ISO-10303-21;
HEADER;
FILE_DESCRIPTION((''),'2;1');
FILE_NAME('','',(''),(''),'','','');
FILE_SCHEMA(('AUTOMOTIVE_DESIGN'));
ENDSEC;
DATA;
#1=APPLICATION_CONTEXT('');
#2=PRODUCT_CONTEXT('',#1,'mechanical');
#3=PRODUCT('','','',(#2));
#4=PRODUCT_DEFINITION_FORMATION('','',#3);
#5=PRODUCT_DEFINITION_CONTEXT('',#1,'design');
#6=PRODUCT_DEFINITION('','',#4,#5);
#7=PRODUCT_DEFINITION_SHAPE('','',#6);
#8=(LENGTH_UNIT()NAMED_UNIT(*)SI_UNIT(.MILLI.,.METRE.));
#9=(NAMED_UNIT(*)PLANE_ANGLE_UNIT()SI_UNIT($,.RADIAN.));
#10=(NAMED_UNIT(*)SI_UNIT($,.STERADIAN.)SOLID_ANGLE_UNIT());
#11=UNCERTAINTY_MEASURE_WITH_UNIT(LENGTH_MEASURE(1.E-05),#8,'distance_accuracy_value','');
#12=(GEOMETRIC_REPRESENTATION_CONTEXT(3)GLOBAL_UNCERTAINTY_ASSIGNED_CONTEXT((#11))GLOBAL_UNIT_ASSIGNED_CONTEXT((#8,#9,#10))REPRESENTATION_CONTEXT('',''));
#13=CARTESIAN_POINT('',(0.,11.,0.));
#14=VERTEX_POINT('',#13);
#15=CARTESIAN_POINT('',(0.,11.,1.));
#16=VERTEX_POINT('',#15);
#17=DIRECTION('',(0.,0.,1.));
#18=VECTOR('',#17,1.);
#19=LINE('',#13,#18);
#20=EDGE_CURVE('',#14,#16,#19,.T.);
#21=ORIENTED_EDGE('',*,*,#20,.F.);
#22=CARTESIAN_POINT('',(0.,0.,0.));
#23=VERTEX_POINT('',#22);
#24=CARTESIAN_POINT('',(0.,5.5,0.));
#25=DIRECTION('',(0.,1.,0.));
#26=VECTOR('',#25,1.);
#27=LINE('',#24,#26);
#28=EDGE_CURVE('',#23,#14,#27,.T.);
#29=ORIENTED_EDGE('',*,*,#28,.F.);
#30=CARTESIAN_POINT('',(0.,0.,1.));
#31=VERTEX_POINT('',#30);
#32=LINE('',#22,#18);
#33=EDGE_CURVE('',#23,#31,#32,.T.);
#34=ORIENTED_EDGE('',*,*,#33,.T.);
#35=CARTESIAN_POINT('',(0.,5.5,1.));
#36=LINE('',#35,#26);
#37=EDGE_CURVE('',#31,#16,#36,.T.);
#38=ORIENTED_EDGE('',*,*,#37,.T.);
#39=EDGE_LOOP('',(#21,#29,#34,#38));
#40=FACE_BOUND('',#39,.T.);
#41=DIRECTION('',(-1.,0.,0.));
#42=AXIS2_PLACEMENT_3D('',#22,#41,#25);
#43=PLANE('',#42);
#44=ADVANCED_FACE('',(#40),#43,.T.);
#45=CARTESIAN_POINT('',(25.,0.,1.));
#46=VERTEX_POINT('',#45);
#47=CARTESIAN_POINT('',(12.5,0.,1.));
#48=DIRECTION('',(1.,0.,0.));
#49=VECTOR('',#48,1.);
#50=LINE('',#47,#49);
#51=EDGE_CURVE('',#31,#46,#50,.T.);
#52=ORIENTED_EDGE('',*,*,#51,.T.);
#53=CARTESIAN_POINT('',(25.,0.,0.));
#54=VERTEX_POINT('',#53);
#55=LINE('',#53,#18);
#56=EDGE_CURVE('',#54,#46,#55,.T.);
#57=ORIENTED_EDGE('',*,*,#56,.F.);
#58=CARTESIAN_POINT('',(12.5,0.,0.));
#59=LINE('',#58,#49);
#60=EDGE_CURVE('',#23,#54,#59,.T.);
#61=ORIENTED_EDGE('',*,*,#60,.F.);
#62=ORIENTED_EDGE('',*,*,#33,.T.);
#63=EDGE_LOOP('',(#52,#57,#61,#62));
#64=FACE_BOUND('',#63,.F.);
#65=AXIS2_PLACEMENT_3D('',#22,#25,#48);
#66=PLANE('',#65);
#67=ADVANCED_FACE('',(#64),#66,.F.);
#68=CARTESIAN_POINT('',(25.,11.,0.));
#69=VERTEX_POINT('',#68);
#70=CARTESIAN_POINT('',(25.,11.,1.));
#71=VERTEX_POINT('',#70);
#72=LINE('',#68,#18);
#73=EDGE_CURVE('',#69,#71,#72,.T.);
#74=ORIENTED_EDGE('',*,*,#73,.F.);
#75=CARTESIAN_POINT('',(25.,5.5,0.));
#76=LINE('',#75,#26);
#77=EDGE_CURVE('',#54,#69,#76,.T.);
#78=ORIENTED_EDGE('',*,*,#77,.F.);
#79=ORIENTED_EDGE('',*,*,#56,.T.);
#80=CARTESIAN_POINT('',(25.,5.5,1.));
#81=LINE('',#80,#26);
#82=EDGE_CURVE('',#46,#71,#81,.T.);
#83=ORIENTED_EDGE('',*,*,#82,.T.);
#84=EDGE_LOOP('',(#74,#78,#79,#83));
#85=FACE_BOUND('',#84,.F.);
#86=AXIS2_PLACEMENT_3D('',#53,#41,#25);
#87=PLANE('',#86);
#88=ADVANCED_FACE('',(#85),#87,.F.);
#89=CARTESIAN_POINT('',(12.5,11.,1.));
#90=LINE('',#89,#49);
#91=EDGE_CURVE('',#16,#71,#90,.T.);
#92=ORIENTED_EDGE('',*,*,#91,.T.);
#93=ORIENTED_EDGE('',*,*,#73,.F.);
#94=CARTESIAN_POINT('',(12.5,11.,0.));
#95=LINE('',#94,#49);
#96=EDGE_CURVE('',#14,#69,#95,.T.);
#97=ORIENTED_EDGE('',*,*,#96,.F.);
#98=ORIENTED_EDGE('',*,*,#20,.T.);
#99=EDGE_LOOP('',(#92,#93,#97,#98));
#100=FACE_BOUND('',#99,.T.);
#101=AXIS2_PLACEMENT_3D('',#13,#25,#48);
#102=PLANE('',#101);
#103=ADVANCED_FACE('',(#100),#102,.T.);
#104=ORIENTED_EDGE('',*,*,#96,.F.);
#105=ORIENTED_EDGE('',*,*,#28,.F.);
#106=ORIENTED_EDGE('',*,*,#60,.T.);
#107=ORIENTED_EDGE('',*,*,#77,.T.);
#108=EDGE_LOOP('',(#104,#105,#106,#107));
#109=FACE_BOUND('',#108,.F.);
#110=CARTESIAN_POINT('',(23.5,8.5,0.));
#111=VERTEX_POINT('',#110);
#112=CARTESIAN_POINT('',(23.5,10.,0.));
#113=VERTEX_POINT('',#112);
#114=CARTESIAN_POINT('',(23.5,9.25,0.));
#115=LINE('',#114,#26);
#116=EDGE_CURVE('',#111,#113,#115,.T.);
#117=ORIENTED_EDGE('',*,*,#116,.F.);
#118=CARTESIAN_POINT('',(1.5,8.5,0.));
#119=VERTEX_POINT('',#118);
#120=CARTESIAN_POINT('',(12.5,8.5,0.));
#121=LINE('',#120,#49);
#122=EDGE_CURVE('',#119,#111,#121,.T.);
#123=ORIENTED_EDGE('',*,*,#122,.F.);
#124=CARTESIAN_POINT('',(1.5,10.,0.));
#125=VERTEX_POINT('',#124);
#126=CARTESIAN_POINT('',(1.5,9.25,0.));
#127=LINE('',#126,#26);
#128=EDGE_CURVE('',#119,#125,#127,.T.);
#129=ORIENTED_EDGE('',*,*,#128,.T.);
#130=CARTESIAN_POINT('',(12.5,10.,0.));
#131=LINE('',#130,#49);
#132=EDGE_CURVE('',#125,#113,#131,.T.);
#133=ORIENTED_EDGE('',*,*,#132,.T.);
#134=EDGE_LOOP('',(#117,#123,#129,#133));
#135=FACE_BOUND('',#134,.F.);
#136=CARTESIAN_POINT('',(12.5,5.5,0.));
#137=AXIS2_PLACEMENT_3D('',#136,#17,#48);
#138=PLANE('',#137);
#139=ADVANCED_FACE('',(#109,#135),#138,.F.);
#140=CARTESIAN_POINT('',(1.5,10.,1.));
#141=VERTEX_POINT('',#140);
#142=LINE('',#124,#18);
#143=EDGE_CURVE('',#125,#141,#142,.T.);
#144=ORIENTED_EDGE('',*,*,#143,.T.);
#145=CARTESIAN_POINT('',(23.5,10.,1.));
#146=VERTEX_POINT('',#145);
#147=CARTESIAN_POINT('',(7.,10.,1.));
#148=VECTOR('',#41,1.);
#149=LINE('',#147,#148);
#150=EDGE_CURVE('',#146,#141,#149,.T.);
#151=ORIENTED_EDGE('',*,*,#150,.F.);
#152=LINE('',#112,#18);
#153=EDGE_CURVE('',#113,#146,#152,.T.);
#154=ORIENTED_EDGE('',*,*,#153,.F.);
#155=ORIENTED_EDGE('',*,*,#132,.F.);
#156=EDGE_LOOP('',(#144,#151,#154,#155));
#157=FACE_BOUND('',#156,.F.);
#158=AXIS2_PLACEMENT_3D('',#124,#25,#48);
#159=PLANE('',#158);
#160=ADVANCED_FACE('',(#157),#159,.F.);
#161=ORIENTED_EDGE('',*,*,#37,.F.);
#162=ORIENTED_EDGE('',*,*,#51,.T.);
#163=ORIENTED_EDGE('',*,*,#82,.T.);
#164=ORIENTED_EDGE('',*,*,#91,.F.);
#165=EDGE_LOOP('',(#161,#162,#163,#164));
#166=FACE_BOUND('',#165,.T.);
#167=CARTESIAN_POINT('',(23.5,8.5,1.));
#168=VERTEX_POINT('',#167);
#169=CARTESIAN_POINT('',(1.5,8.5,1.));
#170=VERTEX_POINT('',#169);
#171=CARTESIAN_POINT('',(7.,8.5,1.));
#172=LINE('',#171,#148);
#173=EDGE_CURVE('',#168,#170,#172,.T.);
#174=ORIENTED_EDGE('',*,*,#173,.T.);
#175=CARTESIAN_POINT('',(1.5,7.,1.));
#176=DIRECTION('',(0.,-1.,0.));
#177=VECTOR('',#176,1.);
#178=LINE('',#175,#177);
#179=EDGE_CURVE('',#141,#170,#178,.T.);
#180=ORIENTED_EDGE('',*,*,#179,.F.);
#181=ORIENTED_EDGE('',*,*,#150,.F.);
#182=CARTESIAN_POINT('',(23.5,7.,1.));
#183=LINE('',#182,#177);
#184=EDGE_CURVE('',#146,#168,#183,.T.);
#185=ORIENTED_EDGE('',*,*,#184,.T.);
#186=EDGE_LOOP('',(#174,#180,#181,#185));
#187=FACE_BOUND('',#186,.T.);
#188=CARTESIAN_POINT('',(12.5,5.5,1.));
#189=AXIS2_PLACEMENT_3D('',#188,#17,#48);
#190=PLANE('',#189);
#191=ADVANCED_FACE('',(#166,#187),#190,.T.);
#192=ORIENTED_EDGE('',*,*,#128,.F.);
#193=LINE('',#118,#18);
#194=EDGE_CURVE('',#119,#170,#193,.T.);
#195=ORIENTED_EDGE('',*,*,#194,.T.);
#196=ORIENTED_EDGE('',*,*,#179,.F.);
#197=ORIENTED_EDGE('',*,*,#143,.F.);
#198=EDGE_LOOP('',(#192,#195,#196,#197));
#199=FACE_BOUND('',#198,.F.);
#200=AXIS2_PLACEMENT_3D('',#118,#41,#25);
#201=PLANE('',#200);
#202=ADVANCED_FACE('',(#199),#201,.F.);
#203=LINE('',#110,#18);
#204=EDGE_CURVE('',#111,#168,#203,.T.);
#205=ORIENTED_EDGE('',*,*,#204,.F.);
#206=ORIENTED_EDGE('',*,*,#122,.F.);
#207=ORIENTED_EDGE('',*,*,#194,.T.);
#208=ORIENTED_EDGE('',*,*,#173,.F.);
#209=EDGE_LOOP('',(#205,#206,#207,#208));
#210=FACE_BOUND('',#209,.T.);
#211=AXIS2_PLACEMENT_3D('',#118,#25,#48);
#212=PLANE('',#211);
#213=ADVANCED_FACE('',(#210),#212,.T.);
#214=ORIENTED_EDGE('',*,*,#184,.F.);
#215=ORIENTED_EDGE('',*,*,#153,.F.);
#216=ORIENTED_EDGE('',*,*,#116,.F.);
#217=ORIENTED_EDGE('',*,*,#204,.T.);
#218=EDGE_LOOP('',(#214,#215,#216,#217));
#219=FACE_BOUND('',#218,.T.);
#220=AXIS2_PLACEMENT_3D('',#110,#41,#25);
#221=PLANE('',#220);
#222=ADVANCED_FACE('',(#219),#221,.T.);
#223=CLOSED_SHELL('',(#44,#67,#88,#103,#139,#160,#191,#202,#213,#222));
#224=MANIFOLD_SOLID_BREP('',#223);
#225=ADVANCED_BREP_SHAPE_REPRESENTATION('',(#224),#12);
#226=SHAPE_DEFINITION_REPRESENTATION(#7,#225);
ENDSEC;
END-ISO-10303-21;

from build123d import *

# Parameters (mm, degrees)
BOX141_W     = 22
BOX141_H     = 1.5
BOX141_DEPTH = 2
BOX140_W     = 25
BOX140_H     = 11
BOX140_DEPTH = 1


with BuildPart() as longledhole008:
    # Box141 → Box141 (new body)
    with BuildSketch(Plane(origin=(1.5, 8.5, 0), x_dir=(1, 0, 0), z_dir=(0, 0, 1))):
        with Locations((11, 0.75)):
            Rectangle(BOX141_W, BOX141_H)
    extrude(amount=BOX141_DEPTH)


with BuildPart() as cut025:
    # Box140 → Box140 (new body)
    with BuildSketch(Plane.XY):
        with Locations((12.5, 5.5)):
            Rectangle(BOX140_W, BOX140_H)
    extrude(amount=BOX140_DEPTH)

    # Cut025: cut LongLedHole008
    add(longledhole008.part, mode=Mode.SUBTRACT)


solid = cut025.part
